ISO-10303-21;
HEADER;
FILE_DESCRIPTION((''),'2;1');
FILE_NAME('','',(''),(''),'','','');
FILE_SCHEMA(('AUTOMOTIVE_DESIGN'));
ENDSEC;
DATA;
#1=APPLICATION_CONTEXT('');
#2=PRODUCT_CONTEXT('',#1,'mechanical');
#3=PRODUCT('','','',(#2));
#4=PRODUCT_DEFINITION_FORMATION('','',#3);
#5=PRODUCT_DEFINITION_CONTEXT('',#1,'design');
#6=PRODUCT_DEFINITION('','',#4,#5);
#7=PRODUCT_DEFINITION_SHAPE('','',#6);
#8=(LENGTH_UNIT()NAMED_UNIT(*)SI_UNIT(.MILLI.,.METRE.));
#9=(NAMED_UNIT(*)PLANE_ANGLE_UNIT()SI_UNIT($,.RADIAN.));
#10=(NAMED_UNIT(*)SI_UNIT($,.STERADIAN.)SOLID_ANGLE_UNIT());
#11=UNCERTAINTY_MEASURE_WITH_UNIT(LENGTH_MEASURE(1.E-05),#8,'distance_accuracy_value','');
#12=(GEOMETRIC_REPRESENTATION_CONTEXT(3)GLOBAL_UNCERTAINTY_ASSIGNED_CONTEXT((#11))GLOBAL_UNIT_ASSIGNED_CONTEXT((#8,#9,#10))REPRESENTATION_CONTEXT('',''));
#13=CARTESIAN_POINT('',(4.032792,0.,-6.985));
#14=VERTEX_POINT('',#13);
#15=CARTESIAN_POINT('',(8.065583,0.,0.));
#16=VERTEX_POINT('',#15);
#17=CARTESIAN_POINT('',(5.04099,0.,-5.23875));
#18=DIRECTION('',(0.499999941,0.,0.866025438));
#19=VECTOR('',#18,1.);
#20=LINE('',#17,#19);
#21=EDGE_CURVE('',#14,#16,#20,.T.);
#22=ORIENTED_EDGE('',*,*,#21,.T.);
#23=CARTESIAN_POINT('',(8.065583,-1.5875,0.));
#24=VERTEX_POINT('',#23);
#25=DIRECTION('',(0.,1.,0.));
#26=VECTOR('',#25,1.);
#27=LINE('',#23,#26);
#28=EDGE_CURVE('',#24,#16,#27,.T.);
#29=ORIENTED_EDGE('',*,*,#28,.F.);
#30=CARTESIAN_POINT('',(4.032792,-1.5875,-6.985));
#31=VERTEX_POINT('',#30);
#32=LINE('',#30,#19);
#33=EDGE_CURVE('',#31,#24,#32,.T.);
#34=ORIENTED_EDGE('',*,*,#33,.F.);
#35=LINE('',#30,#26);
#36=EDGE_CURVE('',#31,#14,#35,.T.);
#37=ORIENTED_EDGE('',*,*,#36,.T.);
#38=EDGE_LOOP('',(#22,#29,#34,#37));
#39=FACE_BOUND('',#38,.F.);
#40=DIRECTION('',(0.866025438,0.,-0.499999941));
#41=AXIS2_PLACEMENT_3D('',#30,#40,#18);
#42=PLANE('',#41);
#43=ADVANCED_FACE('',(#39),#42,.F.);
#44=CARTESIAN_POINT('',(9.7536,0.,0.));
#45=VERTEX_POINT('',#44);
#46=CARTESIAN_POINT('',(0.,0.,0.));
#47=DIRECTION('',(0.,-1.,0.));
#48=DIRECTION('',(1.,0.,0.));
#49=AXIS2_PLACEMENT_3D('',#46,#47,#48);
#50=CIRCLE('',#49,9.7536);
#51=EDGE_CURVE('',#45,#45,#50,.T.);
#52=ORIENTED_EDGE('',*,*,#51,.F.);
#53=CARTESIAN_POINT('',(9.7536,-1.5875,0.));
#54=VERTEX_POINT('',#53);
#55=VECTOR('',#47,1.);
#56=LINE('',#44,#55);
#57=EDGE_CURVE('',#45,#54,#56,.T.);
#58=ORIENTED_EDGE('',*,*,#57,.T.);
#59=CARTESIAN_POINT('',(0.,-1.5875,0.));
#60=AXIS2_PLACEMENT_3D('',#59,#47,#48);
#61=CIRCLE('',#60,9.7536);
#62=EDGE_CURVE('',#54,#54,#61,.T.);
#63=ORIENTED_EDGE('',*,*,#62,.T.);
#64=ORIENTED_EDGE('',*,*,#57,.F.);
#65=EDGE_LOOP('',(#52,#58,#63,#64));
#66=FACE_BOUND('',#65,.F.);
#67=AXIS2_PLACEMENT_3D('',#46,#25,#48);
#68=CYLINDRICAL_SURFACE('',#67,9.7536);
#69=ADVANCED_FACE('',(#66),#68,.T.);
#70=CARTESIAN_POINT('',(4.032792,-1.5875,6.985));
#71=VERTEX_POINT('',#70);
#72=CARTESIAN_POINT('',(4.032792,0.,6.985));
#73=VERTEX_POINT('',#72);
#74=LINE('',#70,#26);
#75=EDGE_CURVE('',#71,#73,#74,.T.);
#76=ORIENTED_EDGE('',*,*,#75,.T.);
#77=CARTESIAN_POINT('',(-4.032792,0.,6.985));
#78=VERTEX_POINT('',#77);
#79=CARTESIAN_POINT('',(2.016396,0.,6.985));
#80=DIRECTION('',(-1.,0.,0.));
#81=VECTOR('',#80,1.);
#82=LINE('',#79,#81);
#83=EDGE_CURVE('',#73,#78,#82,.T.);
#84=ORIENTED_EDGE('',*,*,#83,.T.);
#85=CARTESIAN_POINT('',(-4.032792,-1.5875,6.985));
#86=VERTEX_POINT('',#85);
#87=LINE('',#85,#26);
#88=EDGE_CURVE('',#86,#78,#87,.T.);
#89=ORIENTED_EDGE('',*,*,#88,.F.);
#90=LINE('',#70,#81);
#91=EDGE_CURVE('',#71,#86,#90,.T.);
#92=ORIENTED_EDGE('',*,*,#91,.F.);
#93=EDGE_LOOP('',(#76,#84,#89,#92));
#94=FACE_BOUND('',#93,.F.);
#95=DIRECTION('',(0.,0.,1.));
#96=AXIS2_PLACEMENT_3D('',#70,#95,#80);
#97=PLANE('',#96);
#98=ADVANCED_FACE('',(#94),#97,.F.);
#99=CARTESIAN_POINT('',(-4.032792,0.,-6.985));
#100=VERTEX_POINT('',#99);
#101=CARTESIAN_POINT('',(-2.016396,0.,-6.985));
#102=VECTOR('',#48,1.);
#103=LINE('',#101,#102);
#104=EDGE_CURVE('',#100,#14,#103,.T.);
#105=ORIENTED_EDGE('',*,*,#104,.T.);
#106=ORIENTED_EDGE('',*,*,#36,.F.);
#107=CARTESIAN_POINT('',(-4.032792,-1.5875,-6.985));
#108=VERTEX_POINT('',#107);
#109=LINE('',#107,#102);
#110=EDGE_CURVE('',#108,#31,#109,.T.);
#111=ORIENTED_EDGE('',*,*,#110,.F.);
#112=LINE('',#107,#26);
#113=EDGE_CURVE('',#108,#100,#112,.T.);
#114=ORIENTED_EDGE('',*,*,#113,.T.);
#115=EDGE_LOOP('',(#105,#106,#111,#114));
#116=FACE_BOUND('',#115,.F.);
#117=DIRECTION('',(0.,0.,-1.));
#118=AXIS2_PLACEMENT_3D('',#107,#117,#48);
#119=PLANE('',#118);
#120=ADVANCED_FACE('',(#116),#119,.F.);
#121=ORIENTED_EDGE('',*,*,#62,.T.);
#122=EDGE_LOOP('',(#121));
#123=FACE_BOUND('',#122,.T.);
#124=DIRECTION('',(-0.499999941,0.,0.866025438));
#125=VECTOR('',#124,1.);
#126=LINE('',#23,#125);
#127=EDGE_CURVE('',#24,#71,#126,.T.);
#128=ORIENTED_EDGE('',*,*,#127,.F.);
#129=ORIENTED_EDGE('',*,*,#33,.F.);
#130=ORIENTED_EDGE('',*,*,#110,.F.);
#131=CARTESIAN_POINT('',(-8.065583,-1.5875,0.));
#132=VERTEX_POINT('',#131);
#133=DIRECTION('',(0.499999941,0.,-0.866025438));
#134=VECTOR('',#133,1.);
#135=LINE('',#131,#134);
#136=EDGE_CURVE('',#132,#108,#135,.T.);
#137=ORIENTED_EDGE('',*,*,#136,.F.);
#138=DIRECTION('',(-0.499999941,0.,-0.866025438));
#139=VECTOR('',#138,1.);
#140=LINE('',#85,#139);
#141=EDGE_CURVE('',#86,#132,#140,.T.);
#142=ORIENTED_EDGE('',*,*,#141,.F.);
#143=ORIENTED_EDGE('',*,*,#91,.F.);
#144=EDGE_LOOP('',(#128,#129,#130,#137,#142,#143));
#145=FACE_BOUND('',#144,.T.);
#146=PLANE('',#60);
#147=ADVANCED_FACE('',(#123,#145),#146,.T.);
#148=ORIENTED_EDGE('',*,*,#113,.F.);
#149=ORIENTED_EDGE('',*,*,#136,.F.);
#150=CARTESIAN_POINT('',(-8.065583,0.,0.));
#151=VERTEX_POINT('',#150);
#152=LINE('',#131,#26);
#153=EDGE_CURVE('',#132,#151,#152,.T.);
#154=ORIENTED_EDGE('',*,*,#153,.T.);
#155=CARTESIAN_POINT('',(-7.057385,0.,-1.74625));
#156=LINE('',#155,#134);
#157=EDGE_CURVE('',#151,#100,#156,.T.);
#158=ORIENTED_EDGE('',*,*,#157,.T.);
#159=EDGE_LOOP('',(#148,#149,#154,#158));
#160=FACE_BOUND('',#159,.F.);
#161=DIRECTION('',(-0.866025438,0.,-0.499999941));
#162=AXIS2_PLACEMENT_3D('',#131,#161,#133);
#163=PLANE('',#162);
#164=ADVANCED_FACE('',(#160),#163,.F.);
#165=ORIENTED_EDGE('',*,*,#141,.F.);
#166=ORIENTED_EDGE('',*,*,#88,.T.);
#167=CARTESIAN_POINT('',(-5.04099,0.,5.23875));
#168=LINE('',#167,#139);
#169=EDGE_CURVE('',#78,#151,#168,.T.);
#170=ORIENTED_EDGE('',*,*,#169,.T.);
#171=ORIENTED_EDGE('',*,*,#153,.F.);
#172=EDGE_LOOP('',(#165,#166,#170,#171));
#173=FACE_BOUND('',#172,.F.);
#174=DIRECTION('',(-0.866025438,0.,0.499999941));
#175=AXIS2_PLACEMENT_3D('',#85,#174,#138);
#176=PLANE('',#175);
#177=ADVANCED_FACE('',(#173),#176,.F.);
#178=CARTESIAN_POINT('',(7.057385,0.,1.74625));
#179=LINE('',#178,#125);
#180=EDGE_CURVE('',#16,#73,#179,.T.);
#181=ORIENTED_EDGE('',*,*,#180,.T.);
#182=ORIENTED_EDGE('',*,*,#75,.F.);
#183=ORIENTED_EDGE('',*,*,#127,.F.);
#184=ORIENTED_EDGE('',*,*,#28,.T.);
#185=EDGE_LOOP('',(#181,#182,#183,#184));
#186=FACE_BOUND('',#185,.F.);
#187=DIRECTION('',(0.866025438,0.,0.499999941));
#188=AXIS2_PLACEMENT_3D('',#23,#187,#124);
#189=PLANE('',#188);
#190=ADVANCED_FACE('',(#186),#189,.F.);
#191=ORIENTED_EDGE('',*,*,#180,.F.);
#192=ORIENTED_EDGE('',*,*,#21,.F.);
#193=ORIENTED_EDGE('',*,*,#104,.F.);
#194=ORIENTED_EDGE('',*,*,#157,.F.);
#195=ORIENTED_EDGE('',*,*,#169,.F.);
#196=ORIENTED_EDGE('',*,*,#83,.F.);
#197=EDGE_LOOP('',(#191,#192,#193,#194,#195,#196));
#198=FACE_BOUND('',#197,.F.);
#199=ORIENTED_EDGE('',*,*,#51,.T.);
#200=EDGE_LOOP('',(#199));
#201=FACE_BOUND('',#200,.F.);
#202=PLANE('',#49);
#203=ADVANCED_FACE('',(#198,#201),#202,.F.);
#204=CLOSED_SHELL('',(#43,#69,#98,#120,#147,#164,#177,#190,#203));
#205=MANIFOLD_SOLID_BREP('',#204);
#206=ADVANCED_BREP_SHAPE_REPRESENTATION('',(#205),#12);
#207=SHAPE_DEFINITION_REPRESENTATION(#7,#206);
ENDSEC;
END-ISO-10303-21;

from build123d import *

# Parameters (mm, degrees)
F0_R     = 9.7536
F1_DEPTH = 1.5875
F3_DEPTH = 1.5885


with BuildPart() as f1:
    # F0 (on Front) → F1 (new body)
    with BuildSketch(Plane.XZ):
        Circle(F0_R)
    extrude(amount=F1_DEPTH)

    # F2 (on face) → F3 (cut, through all)
    with BuildSketch(Plane.XZ.offset(1.5875)):
        Polygon((4.032792, -6.985), (8.065583, 0), (4.032792, 6.985), (-4.032792, 6.985), (-8.065583, 0), (-4.032792, -6.985), align=None)
    extrude(amount=-F3_DEPTH, mode=Mode.SUBTRACT)


solid = f1.part
